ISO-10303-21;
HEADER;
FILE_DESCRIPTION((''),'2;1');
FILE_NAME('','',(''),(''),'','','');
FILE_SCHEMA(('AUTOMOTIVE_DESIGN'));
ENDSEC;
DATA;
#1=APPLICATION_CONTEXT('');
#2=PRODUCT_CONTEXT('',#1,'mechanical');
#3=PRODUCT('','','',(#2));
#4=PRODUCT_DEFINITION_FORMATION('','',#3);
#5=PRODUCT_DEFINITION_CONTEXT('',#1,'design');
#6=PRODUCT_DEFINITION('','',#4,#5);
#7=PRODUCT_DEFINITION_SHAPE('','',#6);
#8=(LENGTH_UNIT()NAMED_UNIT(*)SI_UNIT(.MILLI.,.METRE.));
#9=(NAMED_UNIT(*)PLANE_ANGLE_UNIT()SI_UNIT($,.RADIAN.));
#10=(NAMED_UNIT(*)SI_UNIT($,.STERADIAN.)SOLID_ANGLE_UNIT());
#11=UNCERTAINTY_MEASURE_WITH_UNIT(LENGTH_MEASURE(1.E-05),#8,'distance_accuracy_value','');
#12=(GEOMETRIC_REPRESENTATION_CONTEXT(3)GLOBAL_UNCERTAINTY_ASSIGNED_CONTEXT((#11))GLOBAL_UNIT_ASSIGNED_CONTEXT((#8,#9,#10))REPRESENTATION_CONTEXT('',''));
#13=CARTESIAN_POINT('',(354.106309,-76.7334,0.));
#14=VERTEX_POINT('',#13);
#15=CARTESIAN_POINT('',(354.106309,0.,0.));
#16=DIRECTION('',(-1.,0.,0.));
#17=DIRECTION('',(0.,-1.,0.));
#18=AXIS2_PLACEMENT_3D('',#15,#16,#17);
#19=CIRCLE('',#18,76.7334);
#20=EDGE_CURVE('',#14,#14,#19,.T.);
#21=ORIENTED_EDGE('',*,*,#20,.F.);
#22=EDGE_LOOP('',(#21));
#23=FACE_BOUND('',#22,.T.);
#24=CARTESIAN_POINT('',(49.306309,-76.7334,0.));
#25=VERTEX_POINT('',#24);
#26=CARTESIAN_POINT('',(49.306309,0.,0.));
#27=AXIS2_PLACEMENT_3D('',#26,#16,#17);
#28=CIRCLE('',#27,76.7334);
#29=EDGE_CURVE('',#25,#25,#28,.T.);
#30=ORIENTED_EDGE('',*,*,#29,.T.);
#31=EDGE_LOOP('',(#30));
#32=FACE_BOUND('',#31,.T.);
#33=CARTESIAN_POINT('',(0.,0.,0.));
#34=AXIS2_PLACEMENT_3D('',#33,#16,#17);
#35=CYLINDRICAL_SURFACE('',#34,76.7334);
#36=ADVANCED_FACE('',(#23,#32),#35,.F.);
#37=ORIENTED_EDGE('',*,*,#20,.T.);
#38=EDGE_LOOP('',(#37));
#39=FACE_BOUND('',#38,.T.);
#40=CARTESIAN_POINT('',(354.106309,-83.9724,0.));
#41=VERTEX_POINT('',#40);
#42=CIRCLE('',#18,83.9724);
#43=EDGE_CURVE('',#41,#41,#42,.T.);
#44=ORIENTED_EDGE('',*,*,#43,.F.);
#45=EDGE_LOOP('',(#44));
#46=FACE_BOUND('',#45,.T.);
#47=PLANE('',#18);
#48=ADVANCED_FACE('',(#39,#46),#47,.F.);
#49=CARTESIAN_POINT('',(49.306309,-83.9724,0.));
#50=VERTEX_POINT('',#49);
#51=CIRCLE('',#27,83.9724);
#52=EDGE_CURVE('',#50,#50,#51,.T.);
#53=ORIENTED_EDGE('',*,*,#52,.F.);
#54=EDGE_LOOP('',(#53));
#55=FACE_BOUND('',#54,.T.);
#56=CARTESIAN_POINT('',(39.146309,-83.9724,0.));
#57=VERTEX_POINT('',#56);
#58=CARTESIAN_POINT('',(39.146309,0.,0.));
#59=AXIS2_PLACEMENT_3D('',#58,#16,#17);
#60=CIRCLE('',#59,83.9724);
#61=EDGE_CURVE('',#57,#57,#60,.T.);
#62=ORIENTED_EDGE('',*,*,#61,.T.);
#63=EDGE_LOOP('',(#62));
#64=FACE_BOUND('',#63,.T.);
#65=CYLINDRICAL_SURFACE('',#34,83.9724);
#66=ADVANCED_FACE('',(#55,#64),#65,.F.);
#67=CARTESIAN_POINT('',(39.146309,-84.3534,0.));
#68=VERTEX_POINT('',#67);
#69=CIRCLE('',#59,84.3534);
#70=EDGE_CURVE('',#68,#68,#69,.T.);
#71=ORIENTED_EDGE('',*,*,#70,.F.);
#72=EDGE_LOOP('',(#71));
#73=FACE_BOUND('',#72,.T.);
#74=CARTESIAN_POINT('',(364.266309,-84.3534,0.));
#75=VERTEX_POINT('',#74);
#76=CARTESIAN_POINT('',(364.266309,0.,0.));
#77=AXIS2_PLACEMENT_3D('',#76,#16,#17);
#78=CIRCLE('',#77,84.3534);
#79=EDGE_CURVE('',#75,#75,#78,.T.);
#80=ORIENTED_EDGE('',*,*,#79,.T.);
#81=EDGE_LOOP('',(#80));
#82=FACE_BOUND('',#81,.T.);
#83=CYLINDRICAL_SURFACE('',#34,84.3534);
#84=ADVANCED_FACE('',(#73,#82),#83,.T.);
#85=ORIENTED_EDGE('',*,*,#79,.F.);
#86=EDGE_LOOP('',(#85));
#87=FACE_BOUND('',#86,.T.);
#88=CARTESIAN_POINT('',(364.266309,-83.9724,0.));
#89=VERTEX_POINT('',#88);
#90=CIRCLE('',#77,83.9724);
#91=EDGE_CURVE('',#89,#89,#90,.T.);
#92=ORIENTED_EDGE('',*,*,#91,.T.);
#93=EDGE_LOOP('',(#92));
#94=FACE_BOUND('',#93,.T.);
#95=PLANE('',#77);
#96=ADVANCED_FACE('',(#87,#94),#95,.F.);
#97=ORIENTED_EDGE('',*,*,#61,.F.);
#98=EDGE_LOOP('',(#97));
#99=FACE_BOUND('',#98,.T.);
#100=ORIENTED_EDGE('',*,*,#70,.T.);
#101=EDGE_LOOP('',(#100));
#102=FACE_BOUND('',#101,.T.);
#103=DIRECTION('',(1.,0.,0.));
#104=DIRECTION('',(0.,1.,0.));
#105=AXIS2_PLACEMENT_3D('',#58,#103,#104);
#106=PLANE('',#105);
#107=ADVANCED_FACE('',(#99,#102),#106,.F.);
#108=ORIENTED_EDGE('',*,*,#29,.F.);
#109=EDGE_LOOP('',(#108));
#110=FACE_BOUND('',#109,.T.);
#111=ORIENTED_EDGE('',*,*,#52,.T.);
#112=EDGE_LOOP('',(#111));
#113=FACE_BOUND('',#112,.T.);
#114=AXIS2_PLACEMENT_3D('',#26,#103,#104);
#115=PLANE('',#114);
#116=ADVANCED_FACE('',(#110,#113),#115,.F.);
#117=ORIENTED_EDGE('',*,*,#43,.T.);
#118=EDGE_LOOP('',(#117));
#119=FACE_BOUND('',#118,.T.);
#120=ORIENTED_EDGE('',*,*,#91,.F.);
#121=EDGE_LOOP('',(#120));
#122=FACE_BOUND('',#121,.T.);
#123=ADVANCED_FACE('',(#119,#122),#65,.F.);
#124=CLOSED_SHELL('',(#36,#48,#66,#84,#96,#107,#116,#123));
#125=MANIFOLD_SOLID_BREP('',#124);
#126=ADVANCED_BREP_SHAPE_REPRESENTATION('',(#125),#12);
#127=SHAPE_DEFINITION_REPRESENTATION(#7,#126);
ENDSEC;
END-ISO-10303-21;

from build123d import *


with BuildPart() as part:
    # Sketch1 → Revolve1 (revolve)
    with BuildSketch(Plane.XY, mode=Mode.PRIVATE) as revolve1_sk:
        Polygon((39.146309032, 83.9724), (49.306309032, 83.9724), (49.306309032, 76.7334), (354.106309032, 76.7334), (354.106309032, 83.9724), (364.266309032, 83.9724), (364.266309032, 84.3534), (39.146309032, 84.3534), align=None)
    revolve(revolve1_sk.sketch.rotate(Axis((0, 0, 0), (1, 0, 0)), 180), axis=Axis((0, 0, 0), (1, 0, 0)))


solid = part.part
